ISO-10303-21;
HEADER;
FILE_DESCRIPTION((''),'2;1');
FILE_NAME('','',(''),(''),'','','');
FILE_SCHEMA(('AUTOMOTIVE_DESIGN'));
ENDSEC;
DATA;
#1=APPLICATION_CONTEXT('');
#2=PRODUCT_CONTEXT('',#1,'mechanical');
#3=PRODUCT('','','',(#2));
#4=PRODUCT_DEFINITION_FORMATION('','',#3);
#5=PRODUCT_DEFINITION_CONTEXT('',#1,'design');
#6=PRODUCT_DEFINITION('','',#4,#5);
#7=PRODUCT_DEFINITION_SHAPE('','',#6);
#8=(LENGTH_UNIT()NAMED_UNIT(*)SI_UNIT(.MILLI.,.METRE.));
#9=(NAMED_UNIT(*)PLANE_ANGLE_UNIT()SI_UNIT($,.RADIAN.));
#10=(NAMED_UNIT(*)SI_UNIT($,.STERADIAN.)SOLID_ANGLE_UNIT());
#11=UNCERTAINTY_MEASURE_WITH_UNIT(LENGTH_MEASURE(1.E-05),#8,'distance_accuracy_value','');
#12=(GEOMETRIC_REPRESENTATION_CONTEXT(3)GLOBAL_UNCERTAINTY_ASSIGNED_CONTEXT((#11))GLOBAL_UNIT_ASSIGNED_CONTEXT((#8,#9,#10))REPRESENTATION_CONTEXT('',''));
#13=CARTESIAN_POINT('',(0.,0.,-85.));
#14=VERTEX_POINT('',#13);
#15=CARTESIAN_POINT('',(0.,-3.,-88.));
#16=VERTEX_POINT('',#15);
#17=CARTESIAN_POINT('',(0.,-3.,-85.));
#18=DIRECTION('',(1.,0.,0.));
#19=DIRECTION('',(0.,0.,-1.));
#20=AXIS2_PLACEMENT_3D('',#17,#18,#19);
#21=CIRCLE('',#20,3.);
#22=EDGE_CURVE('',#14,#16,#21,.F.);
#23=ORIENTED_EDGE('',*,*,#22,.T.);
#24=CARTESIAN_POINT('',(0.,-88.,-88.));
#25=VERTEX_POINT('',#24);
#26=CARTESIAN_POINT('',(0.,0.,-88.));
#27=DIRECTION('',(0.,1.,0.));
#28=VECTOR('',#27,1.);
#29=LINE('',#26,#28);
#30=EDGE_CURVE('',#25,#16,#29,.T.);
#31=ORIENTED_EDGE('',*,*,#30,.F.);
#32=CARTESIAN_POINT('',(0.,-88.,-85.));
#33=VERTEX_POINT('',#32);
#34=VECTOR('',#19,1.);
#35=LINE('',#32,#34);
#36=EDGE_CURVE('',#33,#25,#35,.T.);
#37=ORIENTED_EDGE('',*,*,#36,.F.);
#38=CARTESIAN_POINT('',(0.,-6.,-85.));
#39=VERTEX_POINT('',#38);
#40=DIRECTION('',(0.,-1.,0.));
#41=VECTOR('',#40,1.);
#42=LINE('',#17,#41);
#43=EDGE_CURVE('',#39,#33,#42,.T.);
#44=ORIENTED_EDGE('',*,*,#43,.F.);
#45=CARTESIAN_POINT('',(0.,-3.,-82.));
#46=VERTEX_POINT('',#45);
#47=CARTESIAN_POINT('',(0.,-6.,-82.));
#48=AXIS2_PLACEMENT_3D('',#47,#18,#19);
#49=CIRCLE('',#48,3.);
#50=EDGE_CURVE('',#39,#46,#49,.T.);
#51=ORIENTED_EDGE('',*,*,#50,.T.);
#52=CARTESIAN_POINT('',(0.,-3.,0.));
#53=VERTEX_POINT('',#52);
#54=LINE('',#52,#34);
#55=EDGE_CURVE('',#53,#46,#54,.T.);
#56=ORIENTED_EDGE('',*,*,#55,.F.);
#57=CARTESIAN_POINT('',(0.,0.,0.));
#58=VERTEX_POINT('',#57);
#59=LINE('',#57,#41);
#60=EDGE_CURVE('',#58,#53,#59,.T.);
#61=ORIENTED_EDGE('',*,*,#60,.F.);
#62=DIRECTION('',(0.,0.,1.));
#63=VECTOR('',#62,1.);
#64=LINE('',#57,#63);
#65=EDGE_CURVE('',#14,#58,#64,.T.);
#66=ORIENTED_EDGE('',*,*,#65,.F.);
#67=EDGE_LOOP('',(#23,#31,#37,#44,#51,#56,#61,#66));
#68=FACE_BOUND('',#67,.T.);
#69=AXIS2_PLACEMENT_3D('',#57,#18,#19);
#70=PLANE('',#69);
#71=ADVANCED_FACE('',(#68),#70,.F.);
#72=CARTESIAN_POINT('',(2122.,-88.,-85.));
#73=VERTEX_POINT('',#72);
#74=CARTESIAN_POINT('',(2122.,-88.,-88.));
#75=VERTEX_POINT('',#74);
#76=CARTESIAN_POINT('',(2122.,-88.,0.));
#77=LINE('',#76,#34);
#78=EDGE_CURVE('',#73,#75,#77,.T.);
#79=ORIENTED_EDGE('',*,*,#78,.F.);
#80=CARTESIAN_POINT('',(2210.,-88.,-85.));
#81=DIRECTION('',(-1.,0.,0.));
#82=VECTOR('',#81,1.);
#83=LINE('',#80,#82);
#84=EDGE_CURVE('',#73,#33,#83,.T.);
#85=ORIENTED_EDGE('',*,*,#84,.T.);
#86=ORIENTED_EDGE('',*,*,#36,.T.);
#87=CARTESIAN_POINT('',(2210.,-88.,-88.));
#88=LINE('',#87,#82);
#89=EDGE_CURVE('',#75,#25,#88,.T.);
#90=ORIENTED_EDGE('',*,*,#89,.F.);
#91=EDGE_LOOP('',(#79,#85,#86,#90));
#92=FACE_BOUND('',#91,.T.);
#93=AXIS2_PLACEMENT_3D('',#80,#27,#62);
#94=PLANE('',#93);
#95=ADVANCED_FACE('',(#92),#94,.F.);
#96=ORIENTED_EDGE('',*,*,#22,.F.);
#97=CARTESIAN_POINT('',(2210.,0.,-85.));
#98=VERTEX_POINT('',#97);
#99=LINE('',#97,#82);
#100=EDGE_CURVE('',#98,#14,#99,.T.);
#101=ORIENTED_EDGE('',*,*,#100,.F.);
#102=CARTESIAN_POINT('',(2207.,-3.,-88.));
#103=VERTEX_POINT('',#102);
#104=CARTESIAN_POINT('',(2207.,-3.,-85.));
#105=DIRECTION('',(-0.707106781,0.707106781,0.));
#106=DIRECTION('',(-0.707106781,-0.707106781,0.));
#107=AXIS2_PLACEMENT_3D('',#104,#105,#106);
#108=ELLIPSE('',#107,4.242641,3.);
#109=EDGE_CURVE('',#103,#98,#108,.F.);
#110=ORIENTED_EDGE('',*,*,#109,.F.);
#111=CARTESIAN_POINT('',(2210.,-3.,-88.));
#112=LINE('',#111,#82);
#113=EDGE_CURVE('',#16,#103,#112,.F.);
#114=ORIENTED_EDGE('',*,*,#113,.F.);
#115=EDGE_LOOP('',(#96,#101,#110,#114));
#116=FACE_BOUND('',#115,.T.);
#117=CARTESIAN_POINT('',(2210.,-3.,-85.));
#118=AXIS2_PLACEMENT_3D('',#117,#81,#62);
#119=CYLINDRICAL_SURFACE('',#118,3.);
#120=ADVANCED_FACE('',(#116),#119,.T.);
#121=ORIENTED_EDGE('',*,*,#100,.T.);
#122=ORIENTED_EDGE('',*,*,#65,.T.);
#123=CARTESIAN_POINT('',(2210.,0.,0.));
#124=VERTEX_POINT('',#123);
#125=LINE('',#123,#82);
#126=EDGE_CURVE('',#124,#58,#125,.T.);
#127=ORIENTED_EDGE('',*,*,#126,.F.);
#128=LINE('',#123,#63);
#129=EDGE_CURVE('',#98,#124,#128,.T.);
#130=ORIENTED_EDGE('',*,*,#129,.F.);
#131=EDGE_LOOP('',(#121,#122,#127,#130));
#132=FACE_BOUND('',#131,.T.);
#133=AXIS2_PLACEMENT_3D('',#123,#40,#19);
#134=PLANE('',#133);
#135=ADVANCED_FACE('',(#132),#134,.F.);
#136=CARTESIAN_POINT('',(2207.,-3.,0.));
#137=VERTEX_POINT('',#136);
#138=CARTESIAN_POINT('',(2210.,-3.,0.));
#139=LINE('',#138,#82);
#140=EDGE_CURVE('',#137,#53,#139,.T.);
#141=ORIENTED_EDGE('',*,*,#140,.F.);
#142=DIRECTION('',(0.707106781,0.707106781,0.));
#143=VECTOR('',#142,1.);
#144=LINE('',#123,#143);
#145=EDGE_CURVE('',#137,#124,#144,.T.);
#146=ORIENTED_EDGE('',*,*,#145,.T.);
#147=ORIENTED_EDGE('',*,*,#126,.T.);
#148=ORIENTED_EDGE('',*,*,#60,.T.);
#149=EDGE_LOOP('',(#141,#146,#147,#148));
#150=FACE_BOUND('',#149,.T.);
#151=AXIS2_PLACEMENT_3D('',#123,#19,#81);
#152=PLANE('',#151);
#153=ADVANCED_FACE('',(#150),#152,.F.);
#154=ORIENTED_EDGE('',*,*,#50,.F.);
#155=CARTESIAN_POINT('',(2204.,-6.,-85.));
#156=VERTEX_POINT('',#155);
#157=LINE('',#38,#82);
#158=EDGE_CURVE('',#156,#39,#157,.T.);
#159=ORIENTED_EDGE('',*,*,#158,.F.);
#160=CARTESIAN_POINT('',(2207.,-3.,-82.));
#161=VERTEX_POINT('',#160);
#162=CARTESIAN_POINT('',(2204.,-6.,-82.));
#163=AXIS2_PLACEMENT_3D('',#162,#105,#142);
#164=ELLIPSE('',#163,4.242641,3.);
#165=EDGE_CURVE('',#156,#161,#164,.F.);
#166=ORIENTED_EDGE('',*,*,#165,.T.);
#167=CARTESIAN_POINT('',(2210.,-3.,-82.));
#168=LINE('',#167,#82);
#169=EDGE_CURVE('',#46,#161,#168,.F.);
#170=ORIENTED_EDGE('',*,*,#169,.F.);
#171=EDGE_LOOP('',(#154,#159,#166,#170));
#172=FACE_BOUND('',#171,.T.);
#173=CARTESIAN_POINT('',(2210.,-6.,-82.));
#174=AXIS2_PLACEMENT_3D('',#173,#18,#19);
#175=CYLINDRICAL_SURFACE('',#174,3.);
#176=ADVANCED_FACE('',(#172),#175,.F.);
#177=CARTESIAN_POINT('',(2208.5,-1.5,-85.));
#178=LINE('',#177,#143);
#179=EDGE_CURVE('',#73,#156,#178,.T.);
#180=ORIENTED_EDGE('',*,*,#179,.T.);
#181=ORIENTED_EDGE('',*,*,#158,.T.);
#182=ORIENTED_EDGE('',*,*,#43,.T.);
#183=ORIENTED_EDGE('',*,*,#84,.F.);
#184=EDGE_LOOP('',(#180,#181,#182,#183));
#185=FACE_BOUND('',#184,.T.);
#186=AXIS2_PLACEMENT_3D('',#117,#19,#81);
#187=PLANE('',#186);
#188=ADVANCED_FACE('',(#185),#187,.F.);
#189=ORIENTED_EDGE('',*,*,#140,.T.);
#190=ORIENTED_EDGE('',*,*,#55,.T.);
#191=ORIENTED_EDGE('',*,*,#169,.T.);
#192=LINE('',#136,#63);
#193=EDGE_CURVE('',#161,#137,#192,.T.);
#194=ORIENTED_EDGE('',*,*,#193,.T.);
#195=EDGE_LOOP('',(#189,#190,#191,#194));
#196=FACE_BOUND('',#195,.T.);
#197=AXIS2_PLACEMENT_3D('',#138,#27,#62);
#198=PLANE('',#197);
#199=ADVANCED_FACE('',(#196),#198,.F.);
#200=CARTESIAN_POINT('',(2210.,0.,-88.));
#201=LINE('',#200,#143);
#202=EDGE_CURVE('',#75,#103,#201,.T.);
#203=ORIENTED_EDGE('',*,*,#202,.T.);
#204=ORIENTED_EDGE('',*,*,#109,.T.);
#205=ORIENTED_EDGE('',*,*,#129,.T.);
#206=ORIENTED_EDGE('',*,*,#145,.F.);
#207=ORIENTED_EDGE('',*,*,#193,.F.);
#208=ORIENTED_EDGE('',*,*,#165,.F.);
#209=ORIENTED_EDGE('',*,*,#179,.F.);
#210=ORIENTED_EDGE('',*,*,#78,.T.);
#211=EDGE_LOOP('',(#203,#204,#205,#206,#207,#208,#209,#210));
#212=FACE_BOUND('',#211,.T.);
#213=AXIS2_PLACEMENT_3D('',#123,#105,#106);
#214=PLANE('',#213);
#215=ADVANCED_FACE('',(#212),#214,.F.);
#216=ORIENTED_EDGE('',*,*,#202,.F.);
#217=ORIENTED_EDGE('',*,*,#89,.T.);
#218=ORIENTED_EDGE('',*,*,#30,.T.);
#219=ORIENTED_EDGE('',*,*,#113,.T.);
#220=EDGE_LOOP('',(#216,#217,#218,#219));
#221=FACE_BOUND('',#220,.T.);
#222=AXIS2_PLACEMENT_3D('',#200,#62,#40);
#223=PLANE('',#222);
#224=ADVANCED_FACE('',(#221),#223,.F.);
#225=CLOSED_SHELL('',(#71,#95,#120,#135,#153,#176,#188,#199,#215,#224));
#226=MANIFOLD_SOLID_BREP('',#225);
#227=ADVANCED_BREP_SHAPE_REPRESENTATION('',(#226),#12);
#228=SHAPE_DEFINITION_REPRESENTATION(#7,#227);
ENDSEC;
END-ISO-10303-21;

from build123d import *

# Parameters (mm, degrees)
BOSS_EXTRUDE1_DEPTH = 2210
FILLET1_R           = 3
CUT_EXTRUDE1_DEPTH  = 88


with BuildPart() as part:
    # Sketch1 → Boss-Extrude1 (new body)
    with BuildSketch(Plane(origin=(0, 0, 0), x_dir=(0, 0, -1), z_dir=(1, 0, 0))):
        Polygon((0, 0), (88, 0), (88, -88), (85, -88), (85, -3), (0, -3), align=None)
    extrude(amount=BOSS_EXTRUDE1_DEPTH)

    # Fillet1
    fillet1_edges = [part.edges().sort_by_distance(p)[0] for p in [
        (1105, 0, -88),
        (1105, -3, -85),
    ]]
    fillet(fillet1_edges, radius=FILLET1_R)

    # Sketch2 → Cut-Extrude1 (cut)
    with BuildSketch(Plane(origin=(0, 0, -88), x_dir=(-1, 0, 0), z_dir=(0, 0, -1))):
        Polygon((-2210, 0), (-2122, -88), (-2210, -88), align=None)
    extrude(amount=-CUT_EXTRUDE1_DEPTH, mode=Mode.SUBTRACT)


solid = part.part
